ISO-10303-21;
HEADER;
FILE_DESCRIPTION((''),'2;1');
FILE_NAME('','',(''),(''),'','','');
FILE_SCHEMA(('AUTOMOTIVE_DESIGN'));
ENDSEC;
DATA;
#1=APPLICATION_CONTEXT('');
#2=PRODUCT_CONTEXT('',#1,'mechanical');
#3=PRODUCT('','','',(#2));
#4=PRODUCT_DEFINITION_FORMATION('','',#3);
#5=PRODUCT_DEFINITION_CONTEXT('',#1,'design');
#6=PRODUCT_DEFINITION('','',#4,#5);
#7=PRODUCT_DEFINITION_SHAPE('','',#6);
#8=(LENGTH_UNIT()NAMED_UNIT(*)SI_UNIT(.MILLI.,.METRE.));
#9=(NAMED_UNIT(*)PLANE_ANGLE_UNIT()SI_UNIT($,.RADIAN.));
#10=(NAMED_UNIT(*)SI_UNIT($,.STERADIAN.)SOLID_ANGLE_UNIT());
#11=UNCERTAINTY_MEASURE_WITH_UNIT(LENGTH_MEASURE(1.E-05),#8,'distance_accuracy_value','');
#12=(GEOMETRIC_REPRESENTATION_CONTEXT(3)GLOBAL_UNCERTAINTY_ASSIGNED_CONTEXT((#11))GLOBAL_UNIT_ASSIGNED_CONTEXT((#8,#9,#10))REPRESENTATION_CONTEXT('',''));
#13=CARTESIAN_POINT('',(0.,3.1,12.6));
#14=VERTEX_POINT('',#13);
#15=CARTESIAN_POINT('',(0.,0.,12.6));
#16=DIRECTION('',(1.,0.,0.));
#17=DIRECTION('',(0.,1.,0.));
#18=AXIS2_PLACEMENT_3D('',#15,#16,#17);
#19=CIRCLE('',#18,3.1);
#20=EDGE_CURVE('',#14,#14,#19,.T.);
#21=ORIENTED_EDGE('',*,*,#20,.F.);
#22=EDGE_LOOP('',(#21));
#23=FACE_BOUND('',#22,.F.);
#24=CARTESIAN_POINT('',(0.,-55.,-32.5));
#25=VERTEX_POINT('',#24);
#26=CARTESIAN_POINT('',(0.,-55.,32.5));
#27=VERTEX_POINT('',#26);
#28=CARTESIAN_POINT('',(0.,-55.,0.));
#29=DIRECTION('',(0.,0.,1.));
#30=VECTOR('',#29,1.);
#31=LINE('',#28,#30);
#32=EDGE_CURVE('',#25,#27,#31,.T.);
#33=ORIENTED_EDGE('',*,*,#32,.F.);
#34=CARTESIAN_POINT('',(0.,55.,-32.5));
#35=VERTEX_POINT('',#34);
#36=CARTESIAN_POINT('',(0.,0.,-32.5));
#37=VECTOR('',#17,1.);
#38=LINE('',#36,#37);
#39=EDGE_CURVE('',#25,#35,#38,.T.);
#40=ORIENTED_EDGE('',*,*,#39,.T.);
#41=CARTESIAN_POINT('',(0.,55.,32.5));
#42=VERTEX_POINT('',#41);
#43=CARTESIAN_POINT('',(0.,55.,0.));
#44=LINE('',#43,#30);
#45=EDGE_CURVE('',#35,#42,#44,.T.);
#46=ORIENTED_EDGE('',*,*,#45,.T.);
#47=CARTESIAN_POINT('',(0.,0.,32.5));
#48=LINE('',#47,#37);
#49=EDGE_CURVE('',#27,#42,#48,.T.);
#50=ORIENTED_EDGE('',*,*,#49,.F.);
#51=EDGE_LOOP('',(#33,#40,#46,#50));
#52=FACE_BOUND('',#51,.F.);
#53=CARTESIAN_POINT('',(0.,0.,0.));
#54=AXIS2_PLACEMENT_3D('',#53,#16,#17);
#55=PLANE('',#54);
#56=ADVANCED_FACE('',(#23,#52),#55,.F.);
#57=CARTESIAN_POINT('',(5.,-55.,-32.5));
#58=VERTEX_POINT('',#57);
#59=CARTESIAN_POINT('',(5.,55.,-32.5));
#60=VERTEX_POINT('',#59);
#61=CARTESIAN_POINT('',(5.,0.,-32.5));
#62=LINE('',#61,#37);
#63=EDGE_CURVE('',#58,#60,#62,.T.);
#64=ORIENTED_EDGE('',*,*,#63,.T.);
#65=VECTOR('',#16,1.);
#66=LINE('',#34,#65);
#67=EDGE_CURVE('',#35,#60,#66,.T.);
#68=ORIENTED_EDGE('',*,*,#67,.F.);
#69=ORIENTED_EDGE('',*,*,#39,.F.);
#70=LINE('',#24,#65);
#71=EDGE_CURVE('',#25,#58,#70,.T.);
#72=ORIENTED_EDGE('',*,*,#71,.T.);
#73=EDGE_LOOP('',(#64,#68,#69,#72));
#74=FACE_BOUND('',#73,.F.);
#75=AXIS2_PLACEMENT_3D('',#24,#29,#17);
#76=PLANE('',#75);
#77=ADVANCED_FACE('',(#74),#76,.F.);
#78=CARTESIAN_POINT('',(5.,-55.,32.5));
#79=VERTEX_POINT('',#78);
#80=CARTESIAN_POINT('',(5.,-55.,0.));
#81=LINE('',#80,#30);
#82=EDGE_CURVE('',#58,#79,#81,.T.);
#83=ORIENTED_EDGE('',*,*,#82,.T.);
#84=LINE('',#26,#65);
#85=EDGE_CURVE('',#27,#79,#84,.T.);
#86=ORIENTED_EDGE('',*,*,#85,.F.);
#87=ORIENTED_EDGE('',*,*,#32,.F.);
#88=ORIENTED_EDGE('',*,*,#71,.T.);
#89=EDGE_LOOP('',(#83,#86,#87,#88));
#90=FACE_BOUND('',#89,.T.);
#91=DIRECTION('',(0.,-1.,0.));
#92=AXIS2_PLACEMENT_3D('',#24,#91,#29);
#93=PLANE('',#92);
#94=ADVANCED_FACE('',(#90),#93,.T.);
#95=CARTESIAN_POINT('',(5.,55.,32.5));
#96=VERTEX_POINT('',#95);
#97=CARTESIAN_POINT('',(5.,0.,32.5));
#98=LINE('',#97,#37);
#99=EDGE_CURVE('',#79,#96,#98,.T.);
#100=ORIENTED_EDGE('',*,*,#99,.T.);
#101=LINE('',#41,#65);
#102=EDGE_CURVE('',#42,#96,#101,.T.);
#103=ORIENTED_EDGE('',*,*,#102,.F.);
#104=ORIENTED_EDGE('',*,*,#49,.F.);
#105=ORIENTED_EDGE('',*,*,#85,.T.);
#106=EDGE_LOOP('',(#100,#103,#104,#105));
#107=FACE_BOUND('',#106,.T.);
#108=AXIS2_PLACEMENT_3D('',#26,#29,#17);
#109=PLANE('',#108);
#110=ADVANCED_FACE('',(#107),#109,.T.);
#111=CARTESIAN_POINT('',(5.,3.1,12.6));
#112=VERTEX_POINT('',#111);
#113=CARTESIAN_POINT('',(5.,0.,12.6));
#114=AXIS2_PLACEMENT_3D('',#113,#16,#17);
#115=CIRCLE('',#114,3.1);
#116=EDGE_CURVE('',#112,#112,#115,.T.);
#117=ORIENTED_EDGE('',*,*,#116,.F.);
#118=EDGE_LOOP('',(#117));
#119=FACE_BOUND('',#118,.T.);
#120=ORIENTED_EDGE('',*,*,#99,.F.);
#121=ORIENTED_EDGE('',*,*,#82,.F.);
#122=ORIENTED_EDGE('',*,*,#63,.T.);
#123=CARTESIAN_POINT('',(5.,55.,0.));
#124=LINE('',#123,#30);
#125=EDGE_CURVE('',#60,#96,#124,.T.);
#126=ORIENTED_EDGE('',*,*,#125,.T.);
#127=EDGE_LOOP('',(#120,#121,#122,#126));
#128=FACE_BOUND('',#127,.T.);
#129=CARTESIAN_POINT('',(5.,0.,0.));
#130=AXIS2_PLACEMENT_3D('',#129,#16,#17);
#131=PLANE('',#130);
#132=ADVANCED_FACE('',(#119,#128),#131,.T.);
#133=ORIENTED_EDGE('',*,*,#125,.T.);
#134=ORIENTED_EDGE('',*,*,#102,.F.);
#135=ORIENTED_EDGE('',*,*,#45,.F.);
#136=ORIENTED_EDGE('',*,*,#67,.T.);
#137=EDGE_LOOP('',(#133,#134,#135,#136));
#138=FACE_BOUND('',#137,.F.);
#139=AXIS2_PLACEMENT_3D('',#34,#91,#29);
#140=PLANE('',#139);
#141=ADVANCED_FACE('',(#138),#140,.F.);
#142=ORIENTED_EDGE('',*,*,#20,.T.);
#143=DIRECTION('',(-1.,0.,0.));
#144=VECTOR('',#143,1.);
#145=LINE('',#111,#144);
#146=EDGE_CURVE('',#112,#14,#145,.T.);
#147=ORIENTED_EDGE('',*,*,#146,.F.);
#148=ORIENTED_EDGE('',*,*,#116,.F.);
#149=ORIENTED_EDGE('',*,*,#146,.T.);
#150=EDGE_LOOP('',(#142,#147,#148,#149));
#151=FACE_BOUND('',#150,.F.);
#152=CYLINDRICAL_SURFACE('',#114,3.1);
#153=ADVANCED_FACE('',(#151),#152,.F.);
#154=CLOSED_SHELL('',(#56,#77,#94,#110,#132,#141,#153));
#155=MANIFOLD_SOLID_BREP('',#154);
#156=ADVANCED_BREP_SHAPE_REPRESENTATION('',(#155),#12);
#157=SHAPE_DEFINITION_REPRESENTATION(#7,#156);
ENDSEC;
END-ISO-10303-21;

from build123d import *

# Parameters (mm, degrees)
F0_W     = 110
F0_H     = 65
F1_DEPTH = 5
F2_R     = 3.1
F3_DEPTH = 25


with BuildPart() as f1:
    # F0 (on Right) → F1 (new body)
    with BuildSketch(Plane.YZ):
        Rectangle(F0_W, F0_H)
    extrude(amount=F1_DEPTH)

    # F2 (on face) → F3 (cut)
    with BuildSketch(Plane.YZ.offset(5)):
        with Locations((0, 12.6)):
            Circle(F2_R)
    extrude(amount=-F3_DEPTH, mode=Mode.SUBTRACT)


solid = f1.part
